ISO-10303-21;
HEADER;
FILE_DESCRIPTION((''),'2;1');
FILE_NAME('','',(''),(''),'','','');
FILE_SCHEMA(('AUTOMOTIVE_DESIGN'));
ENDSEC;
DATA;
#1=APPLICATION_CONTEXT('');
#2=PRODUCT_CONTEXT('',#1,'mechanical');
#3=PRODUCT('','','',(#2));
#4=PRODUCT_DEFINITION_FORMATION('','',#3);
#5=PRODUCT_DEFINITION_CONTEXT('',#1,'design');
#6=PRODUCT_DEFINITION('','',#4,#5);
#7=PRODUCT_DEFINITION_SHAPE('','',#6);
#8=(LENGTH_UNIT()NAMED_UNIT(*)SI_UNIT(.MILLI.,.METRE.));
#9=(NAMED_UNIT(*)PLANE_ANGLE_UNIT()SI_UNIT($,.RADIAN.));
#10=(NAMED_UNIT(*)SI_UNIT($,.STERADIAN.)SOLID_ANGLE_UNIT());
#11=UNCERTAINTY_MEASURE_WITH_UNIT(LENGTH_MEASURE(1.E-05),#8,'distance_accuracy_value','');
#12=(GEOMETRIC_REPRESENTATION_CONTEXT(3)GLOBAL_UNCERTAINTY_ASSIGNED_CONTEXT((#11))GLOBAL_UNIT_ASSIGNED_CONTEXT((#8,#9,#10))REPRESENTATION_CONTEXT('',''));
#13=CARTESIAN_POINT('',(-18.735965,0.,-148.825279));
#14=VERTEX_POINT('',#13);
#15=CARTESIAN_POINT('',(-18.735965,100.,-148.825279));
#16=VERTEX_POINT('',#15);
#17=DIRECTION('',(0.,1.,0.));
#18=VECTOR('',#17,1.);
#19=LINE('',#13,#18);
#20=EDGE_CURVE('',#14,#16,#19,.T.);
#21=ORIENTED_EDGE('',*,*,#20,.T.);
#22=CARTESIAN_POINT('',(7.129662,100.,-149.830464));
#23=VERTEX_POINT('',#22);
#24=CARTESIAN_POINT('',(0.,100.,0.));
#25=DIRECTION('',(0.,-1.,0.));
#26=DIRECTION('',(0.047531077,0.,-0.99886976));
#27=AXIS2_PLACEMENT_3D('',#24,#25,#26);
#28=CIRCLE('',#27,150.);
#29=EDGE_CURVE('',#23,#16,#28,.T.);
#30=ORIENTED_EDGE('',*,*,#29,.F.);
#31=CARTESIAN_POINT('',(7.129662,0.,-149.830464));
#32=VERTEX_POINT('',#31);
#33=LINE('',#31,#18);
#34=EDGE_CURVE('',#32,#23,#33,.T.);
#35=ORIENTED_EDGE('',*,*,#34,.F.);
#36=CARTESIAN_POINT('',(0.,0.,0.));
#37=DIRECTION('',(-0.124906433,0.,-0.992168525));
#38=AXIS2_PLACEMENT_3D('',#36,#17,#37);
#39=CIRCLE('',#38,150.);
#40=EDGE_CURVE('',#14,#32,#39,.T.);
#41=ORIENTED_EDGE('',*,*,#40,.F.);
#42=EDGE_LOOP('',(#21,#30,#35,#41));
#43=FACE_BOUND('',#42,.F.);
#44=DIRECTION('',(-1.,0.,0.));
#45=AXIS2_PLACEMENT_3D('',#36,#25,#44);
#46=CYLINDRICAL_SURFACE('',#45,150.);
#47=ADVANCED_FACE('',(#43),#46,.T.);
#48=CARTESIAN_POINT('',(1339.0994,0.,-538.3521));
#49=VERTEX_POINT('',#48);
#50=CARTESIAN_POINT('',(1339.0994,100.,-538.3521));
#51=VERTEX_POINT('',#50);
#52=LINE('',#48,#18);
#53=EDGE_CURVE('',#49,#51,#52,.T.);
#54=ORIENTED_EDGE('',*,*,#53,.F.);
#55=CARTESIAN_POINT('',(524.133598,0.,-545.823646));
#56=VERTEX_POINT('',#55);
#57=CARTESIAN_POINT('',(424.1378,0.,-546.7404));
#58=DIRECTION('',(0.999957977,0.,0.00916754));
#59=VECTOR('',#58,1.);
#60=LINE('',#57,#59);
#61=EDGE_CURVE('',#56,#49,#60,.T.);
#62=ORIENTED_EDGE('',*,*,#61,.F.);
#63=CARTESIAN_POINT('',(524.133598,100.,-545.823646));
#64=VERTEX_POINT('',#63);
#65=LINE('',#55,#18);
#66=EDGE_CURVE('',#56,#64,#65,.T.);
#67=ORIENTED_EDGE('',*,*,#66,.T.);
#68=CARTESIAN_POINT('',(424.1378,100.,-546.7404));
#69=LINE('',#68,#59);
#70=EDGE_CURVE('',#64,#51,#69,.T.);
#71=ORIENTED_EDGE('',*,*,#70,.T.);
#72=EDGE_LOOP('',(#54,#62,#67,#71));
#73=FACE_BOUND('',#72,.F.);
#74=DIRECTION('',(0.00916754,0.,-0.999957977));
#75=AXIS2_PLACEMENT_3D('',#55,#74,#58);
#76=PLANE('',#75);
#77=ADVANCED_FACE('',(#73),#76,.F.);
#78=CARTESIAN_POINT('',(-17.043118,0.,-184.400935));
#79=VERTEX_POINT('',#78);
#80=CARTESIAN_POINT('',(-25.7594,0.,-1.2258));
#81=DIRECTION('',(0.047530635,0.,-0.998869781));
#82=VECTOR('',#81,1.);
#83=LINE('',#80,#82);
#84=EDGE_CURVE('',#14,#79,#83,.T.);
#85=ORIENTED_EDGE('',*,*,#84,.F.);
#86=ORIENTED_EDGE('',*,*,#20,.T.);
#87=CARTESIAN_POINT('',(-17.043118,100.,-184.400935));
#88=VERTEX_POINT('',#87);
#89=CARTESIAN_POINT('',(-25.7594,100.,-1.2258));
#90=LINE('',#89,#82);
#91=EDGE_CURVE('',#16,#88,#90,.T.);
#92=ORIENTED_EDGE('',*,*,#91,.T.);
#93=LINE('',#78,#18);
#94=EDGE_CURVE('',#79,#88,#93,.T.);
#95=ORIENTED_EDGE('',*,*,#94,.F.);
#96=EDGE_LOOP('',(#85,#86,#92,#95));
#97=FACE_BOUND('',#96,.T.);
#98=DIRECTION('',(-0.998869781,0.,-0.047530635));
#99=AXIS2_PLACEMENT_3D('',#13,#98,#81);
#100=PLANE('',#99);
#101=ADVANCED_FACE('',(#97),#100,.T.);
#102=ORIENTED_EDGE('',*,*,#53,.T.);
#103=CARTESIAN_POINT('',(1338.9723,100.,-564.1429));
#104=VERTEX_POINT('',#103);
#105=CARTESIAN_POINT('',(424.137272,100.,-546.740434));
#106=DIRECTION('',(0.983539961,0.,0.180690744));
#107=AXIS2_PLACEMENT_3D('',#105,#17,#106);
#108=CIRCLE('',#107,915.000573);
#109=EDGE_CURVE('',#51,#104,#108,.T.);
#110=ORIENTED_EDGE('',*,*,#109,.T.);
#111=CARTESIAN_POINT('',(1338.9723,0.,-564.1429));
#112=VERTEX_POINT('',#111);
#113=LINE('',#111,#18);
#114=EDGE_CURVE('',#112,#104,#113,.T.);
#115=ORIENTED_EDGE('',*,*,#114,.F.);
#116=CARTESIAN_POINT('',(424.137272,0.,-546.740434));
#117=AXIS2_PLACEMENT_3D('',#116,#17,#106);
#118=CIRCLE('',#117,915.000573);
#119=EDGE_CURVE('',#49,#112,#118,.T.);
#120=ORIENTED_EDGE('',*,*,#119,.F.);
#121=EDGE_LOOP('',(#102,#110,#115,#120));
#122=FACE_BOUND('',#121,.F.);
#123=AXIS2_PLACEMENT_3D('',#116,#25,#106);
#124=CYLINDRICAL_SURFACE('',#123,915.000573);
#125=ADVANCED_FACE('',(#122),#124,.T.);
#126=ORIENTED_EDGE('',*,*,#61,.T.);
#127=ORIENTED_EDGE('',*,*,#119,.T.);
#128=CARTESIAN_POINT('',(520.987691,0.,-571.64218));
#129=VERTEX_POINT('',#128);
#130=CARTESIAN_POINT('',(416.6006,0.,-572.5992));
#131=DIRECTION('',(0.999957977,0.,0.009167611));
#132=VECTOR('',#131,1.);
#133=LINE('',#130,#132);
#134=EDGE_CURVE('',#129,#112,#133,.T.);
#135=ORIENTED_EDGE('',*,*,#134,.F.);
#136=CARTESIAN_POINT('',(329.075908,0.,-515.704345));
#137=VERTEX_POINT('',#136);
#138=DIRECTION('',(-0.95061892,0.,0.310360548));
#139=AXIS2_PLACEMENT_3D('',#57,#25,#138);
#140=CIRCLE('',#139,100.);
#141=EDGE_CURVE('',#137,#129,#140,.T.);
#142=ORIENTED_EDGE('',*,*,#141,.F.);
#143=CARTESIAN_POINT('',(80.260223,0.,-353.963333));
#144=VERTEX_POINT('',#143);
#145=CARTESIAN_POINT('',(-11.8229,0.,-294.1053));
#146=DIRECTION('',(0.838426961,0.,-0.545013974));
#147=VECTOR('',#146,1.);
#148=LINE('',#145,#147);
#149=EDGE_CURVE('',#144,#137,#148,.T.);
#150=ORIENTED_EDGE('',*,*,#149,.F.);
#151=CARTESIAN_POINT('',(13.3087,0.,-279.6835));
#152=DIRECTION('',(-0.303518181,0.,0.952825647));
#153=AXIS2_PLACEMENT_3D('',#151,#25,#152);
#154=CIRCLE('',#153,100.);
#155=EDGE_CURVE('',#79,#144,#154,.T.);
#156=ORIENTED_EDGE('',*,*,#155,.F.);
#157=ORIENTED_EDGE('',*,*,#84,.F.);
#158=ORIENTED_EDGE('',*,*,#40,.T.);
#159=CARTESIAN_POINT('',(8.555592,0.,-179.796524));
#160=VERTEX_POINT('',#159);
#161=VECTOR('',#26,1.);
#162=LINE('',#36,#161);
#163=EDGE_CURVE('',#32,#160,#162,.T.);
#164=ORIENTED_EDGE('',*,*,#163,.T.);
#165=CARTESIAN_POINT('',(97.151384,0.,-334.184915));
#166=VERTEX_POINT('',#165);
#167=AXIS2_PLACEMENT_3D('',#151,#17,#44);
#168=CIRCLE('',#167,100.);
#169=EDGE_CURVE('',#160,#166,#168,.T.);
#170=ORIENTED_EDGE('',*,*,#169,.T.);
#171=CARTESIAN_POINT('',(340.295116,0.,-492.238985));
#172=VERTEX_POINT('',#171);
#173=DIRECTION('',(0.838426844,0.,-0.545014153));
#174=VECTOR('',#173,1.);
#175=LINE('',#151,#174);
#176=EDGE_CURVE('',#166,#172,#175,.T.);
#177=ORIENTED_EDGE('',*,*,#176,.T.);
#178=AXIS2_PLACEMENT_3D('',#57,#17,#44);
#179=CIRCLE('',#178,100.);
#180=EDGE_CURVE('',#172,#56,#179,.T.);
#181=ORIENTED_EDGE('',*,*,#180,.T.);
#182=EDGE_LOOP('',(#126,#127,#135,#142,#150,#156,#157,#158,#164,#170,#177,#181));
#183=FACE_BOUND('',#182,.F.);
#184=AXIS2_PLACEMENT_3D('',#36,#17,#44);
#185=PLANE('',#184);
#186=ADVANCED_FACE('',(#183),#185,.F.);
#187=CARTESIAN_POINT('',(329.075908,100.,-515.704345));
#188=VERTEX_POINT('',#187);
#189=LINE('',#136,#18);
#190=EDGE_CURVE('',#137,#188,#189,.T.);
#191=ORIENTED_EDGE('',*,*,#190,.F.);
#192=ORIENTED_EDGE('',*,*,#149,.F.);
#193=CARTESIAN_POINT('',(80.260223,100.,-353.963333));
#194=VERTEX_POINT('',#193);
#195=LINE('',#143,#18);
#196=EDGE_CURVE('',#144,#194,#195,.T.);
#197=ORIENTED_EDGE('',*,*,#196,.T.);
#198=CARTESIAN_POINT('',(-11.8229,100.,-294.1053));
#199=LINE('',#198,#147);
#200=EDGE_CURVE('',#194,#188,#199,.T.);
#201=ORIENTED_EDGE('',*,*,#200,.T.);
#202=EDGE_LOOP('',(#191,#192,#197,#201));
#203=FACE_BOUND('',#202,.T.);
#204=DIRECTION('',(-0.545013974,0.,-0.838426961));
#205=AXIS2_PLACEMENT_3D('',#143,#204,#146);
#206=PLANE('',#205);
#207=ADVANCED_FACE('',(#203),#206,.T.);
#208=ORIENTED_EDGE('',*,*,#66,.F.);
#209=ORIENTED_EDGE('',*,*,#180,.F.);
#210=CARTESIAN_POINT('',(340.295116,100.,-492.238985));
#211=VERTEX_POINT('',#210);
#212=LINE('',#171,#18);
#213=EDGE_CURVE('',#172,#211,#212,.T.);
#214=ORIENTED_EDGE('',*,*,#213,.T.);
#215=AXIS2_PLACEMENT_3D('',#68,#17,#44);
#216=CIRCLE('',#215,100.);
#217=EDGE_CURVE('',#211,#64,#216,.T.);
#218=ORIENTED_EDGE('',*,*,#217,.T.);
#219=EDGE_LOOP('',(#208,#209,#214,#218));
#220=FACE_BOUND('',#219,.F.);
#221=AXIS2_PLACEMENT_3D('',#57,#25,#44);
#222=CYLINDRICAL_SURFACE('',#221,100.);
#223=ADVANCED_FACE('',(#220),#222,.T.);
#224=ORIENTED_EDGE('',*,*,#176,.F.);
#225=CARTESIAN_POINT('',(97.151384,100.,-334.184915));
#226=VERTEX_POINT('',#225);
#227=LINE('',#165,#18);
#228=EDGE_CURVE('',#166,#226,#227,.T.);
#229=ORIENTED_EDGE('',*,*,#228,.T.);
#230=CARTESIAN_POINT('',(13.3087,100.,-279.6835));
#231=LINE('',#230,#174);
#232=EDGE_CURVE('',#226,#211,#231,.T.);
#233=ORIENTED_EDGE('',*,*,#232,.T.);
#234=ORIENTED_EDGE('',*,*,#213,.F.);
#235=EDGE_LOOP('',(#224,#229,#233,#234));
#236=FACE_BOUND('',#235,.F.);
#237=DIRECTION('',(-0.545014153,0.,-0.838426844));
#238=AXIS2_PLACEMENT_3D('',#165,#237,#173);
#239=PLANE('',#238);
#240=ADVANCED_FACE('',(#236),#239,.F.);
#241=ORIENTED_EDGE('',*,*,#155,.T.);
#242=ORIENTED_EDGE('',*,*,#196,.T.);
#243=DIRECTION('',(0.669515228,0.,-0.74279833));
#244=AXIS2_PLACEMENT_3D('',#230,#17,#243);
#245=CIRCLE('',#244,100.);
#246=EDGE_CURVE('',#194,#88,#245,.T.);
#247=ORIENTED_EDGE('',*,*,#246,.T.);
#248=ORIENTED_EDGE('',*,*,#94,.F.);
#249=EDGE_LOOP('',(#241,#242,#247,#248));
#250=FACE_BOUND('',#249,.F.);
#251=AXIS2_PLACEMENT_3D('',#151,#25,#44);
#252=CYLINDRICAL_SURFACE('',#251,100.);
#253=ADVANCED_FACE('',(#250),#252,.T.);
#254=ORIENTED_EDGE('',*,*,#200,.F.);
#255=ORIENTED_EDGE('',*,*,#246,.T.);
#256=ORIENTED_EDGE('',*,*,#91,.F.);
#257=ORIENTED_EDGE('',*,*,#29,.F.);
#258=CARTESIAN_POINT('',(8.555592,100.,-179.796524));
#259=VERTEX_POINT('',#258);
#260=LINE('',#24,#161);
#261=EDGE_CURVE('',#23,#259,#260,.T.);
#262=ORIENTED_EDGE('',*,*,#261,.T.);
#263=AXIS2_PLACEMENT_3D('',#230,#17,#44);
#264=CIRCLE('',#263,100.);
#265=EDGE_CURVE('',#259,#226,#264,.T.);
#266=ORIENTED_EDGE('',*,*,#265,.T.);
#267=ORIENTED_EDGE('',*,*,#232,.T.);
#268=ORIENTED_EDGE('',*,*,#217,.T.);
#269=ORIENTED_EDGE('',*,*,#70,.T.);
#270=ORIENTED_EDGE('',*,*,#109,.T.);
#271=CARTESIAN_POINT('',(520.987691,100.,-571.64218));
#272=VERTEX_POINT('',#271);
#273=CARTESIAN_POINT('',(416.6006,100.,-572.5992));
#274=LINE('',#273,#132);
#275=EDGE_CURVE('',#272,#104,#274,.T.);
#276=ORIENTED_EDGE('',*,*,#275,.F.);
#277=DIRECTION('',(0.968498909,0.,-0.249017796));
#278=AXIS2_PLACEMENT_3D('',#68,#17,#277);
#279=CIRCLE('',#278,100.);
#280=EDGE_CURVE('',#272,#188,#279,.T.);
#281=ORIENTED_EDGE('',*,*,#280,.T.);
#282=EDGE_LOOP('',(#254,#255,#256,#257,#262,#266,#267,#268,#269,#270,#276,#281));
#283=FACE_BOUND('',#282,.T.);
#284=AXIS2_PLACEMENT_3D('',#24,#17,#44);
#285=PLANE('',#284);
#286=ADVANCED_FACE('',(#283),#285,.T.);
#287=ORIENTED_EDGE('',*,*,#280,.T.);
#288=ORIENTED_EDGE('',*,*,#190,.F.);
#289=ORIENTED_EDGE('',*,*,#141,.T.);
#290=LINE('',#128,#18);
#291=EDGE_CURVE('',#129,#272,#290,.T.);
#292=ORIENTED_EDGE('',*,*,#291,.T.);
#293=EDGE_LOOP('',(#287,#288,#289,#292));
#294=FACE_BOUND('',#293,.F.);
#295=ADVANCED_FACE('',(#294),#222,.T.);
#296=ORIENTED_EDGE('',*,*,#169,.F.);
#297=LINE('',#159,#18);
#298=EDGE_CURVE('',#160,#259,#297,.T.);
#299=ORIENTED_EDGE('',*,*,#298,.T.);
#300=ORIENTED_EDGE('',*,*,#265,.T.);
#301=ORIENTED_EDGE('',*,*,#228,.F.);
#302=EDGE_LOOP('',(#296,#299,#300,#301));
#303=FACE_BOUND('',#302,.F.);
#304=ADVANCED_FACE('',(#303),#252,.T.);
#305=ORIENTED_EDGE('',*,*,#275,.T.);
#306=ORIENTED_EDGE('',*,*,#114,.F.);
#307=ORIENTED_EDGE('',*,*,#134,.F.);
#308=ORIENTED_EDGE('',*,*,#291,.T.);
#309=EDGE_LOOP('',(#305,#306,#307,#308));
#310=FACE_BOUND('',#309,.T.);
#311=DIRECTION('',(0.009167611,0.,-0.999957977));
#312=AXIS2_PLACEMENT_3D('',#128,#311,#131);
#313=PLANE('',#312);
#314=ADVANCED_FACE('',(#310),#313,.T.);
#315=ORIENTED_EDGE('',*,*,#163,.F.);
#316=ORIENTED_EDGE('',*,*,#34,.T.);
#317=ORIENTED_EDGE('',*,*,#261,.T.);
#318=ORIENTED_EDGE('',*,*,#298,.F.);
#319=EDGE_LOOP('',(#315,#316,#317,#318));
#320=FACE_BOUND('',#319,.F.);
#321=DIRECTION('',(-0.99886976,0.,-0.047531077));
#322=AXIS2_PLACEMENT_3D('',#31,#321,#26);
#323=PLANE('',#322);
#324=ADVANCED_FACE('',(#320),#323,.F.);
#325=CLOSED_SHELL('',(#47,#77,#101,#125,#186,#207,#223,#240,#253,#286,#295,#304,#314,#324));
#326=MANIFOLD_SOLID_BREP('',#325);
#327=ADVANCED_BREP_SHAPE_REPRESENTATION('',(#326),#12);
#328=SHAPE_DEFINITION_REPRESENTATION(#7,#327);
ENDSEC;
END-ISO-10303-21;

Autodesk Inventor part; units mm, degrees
ref_plane "YZ Plane" through (0, 0, 0) normal (1, 0, 0) x (0, 1, 0)
ref_plane "XZ Plane" through (0, 0, 0) normal (0, 1, 0) x (-1, 0, 0)
ref_plane "XY Plane" through (0, 0, 0) normal (0, 0, 1) x (1, 0, 0)
sketch "Sketch1" plane through (0, 0, 0) normal (0, 1, 0) x (-1, 0, 0)
  circle A0 centre (0, 0) radius 150
  circle A1 centre (-13.3087, -279.6835) radius 100
  circle A2 centre (-424.1378, -546.7404) radius 100
  line L0 (0, 0) -> (-13.3087, -279.6835)
  line L1 (-13.3087, -279.6835) -> (-424.1378, -546.7404)
  line L2 (-424.1378, -546.7404) -> (-1339.0994, -538.3521)
  arc A3 (-1324.0769, -381.4083) -> (-1301.514, -806.4251) centre (-424.1378, -546.7404) ccw
  line L3 (25.7594, -1.2258) -> (11.8229, -294.1053)
  line L4 (11.8229, -294.1053) -> (-416.6006, -572.5992)
  line L5 (-416.6006, -572.5992) -> (-1338.9723, -564.1429)
  arc A4 (25.7594, -1.2258) -> (0, 0) centre (12.8797, -0.6129) ccw
  dimension "d0" = 300
  dimension "d1" = 200
  dimension "d2" = 200
  dimension "d3" = 490
  dimension "d4" = 280
  dimension "d10" = 915
extrude "Extrusion1" add sketch "Sketch1" along normal blind 100
properties part number "95thMaleTemplate"
